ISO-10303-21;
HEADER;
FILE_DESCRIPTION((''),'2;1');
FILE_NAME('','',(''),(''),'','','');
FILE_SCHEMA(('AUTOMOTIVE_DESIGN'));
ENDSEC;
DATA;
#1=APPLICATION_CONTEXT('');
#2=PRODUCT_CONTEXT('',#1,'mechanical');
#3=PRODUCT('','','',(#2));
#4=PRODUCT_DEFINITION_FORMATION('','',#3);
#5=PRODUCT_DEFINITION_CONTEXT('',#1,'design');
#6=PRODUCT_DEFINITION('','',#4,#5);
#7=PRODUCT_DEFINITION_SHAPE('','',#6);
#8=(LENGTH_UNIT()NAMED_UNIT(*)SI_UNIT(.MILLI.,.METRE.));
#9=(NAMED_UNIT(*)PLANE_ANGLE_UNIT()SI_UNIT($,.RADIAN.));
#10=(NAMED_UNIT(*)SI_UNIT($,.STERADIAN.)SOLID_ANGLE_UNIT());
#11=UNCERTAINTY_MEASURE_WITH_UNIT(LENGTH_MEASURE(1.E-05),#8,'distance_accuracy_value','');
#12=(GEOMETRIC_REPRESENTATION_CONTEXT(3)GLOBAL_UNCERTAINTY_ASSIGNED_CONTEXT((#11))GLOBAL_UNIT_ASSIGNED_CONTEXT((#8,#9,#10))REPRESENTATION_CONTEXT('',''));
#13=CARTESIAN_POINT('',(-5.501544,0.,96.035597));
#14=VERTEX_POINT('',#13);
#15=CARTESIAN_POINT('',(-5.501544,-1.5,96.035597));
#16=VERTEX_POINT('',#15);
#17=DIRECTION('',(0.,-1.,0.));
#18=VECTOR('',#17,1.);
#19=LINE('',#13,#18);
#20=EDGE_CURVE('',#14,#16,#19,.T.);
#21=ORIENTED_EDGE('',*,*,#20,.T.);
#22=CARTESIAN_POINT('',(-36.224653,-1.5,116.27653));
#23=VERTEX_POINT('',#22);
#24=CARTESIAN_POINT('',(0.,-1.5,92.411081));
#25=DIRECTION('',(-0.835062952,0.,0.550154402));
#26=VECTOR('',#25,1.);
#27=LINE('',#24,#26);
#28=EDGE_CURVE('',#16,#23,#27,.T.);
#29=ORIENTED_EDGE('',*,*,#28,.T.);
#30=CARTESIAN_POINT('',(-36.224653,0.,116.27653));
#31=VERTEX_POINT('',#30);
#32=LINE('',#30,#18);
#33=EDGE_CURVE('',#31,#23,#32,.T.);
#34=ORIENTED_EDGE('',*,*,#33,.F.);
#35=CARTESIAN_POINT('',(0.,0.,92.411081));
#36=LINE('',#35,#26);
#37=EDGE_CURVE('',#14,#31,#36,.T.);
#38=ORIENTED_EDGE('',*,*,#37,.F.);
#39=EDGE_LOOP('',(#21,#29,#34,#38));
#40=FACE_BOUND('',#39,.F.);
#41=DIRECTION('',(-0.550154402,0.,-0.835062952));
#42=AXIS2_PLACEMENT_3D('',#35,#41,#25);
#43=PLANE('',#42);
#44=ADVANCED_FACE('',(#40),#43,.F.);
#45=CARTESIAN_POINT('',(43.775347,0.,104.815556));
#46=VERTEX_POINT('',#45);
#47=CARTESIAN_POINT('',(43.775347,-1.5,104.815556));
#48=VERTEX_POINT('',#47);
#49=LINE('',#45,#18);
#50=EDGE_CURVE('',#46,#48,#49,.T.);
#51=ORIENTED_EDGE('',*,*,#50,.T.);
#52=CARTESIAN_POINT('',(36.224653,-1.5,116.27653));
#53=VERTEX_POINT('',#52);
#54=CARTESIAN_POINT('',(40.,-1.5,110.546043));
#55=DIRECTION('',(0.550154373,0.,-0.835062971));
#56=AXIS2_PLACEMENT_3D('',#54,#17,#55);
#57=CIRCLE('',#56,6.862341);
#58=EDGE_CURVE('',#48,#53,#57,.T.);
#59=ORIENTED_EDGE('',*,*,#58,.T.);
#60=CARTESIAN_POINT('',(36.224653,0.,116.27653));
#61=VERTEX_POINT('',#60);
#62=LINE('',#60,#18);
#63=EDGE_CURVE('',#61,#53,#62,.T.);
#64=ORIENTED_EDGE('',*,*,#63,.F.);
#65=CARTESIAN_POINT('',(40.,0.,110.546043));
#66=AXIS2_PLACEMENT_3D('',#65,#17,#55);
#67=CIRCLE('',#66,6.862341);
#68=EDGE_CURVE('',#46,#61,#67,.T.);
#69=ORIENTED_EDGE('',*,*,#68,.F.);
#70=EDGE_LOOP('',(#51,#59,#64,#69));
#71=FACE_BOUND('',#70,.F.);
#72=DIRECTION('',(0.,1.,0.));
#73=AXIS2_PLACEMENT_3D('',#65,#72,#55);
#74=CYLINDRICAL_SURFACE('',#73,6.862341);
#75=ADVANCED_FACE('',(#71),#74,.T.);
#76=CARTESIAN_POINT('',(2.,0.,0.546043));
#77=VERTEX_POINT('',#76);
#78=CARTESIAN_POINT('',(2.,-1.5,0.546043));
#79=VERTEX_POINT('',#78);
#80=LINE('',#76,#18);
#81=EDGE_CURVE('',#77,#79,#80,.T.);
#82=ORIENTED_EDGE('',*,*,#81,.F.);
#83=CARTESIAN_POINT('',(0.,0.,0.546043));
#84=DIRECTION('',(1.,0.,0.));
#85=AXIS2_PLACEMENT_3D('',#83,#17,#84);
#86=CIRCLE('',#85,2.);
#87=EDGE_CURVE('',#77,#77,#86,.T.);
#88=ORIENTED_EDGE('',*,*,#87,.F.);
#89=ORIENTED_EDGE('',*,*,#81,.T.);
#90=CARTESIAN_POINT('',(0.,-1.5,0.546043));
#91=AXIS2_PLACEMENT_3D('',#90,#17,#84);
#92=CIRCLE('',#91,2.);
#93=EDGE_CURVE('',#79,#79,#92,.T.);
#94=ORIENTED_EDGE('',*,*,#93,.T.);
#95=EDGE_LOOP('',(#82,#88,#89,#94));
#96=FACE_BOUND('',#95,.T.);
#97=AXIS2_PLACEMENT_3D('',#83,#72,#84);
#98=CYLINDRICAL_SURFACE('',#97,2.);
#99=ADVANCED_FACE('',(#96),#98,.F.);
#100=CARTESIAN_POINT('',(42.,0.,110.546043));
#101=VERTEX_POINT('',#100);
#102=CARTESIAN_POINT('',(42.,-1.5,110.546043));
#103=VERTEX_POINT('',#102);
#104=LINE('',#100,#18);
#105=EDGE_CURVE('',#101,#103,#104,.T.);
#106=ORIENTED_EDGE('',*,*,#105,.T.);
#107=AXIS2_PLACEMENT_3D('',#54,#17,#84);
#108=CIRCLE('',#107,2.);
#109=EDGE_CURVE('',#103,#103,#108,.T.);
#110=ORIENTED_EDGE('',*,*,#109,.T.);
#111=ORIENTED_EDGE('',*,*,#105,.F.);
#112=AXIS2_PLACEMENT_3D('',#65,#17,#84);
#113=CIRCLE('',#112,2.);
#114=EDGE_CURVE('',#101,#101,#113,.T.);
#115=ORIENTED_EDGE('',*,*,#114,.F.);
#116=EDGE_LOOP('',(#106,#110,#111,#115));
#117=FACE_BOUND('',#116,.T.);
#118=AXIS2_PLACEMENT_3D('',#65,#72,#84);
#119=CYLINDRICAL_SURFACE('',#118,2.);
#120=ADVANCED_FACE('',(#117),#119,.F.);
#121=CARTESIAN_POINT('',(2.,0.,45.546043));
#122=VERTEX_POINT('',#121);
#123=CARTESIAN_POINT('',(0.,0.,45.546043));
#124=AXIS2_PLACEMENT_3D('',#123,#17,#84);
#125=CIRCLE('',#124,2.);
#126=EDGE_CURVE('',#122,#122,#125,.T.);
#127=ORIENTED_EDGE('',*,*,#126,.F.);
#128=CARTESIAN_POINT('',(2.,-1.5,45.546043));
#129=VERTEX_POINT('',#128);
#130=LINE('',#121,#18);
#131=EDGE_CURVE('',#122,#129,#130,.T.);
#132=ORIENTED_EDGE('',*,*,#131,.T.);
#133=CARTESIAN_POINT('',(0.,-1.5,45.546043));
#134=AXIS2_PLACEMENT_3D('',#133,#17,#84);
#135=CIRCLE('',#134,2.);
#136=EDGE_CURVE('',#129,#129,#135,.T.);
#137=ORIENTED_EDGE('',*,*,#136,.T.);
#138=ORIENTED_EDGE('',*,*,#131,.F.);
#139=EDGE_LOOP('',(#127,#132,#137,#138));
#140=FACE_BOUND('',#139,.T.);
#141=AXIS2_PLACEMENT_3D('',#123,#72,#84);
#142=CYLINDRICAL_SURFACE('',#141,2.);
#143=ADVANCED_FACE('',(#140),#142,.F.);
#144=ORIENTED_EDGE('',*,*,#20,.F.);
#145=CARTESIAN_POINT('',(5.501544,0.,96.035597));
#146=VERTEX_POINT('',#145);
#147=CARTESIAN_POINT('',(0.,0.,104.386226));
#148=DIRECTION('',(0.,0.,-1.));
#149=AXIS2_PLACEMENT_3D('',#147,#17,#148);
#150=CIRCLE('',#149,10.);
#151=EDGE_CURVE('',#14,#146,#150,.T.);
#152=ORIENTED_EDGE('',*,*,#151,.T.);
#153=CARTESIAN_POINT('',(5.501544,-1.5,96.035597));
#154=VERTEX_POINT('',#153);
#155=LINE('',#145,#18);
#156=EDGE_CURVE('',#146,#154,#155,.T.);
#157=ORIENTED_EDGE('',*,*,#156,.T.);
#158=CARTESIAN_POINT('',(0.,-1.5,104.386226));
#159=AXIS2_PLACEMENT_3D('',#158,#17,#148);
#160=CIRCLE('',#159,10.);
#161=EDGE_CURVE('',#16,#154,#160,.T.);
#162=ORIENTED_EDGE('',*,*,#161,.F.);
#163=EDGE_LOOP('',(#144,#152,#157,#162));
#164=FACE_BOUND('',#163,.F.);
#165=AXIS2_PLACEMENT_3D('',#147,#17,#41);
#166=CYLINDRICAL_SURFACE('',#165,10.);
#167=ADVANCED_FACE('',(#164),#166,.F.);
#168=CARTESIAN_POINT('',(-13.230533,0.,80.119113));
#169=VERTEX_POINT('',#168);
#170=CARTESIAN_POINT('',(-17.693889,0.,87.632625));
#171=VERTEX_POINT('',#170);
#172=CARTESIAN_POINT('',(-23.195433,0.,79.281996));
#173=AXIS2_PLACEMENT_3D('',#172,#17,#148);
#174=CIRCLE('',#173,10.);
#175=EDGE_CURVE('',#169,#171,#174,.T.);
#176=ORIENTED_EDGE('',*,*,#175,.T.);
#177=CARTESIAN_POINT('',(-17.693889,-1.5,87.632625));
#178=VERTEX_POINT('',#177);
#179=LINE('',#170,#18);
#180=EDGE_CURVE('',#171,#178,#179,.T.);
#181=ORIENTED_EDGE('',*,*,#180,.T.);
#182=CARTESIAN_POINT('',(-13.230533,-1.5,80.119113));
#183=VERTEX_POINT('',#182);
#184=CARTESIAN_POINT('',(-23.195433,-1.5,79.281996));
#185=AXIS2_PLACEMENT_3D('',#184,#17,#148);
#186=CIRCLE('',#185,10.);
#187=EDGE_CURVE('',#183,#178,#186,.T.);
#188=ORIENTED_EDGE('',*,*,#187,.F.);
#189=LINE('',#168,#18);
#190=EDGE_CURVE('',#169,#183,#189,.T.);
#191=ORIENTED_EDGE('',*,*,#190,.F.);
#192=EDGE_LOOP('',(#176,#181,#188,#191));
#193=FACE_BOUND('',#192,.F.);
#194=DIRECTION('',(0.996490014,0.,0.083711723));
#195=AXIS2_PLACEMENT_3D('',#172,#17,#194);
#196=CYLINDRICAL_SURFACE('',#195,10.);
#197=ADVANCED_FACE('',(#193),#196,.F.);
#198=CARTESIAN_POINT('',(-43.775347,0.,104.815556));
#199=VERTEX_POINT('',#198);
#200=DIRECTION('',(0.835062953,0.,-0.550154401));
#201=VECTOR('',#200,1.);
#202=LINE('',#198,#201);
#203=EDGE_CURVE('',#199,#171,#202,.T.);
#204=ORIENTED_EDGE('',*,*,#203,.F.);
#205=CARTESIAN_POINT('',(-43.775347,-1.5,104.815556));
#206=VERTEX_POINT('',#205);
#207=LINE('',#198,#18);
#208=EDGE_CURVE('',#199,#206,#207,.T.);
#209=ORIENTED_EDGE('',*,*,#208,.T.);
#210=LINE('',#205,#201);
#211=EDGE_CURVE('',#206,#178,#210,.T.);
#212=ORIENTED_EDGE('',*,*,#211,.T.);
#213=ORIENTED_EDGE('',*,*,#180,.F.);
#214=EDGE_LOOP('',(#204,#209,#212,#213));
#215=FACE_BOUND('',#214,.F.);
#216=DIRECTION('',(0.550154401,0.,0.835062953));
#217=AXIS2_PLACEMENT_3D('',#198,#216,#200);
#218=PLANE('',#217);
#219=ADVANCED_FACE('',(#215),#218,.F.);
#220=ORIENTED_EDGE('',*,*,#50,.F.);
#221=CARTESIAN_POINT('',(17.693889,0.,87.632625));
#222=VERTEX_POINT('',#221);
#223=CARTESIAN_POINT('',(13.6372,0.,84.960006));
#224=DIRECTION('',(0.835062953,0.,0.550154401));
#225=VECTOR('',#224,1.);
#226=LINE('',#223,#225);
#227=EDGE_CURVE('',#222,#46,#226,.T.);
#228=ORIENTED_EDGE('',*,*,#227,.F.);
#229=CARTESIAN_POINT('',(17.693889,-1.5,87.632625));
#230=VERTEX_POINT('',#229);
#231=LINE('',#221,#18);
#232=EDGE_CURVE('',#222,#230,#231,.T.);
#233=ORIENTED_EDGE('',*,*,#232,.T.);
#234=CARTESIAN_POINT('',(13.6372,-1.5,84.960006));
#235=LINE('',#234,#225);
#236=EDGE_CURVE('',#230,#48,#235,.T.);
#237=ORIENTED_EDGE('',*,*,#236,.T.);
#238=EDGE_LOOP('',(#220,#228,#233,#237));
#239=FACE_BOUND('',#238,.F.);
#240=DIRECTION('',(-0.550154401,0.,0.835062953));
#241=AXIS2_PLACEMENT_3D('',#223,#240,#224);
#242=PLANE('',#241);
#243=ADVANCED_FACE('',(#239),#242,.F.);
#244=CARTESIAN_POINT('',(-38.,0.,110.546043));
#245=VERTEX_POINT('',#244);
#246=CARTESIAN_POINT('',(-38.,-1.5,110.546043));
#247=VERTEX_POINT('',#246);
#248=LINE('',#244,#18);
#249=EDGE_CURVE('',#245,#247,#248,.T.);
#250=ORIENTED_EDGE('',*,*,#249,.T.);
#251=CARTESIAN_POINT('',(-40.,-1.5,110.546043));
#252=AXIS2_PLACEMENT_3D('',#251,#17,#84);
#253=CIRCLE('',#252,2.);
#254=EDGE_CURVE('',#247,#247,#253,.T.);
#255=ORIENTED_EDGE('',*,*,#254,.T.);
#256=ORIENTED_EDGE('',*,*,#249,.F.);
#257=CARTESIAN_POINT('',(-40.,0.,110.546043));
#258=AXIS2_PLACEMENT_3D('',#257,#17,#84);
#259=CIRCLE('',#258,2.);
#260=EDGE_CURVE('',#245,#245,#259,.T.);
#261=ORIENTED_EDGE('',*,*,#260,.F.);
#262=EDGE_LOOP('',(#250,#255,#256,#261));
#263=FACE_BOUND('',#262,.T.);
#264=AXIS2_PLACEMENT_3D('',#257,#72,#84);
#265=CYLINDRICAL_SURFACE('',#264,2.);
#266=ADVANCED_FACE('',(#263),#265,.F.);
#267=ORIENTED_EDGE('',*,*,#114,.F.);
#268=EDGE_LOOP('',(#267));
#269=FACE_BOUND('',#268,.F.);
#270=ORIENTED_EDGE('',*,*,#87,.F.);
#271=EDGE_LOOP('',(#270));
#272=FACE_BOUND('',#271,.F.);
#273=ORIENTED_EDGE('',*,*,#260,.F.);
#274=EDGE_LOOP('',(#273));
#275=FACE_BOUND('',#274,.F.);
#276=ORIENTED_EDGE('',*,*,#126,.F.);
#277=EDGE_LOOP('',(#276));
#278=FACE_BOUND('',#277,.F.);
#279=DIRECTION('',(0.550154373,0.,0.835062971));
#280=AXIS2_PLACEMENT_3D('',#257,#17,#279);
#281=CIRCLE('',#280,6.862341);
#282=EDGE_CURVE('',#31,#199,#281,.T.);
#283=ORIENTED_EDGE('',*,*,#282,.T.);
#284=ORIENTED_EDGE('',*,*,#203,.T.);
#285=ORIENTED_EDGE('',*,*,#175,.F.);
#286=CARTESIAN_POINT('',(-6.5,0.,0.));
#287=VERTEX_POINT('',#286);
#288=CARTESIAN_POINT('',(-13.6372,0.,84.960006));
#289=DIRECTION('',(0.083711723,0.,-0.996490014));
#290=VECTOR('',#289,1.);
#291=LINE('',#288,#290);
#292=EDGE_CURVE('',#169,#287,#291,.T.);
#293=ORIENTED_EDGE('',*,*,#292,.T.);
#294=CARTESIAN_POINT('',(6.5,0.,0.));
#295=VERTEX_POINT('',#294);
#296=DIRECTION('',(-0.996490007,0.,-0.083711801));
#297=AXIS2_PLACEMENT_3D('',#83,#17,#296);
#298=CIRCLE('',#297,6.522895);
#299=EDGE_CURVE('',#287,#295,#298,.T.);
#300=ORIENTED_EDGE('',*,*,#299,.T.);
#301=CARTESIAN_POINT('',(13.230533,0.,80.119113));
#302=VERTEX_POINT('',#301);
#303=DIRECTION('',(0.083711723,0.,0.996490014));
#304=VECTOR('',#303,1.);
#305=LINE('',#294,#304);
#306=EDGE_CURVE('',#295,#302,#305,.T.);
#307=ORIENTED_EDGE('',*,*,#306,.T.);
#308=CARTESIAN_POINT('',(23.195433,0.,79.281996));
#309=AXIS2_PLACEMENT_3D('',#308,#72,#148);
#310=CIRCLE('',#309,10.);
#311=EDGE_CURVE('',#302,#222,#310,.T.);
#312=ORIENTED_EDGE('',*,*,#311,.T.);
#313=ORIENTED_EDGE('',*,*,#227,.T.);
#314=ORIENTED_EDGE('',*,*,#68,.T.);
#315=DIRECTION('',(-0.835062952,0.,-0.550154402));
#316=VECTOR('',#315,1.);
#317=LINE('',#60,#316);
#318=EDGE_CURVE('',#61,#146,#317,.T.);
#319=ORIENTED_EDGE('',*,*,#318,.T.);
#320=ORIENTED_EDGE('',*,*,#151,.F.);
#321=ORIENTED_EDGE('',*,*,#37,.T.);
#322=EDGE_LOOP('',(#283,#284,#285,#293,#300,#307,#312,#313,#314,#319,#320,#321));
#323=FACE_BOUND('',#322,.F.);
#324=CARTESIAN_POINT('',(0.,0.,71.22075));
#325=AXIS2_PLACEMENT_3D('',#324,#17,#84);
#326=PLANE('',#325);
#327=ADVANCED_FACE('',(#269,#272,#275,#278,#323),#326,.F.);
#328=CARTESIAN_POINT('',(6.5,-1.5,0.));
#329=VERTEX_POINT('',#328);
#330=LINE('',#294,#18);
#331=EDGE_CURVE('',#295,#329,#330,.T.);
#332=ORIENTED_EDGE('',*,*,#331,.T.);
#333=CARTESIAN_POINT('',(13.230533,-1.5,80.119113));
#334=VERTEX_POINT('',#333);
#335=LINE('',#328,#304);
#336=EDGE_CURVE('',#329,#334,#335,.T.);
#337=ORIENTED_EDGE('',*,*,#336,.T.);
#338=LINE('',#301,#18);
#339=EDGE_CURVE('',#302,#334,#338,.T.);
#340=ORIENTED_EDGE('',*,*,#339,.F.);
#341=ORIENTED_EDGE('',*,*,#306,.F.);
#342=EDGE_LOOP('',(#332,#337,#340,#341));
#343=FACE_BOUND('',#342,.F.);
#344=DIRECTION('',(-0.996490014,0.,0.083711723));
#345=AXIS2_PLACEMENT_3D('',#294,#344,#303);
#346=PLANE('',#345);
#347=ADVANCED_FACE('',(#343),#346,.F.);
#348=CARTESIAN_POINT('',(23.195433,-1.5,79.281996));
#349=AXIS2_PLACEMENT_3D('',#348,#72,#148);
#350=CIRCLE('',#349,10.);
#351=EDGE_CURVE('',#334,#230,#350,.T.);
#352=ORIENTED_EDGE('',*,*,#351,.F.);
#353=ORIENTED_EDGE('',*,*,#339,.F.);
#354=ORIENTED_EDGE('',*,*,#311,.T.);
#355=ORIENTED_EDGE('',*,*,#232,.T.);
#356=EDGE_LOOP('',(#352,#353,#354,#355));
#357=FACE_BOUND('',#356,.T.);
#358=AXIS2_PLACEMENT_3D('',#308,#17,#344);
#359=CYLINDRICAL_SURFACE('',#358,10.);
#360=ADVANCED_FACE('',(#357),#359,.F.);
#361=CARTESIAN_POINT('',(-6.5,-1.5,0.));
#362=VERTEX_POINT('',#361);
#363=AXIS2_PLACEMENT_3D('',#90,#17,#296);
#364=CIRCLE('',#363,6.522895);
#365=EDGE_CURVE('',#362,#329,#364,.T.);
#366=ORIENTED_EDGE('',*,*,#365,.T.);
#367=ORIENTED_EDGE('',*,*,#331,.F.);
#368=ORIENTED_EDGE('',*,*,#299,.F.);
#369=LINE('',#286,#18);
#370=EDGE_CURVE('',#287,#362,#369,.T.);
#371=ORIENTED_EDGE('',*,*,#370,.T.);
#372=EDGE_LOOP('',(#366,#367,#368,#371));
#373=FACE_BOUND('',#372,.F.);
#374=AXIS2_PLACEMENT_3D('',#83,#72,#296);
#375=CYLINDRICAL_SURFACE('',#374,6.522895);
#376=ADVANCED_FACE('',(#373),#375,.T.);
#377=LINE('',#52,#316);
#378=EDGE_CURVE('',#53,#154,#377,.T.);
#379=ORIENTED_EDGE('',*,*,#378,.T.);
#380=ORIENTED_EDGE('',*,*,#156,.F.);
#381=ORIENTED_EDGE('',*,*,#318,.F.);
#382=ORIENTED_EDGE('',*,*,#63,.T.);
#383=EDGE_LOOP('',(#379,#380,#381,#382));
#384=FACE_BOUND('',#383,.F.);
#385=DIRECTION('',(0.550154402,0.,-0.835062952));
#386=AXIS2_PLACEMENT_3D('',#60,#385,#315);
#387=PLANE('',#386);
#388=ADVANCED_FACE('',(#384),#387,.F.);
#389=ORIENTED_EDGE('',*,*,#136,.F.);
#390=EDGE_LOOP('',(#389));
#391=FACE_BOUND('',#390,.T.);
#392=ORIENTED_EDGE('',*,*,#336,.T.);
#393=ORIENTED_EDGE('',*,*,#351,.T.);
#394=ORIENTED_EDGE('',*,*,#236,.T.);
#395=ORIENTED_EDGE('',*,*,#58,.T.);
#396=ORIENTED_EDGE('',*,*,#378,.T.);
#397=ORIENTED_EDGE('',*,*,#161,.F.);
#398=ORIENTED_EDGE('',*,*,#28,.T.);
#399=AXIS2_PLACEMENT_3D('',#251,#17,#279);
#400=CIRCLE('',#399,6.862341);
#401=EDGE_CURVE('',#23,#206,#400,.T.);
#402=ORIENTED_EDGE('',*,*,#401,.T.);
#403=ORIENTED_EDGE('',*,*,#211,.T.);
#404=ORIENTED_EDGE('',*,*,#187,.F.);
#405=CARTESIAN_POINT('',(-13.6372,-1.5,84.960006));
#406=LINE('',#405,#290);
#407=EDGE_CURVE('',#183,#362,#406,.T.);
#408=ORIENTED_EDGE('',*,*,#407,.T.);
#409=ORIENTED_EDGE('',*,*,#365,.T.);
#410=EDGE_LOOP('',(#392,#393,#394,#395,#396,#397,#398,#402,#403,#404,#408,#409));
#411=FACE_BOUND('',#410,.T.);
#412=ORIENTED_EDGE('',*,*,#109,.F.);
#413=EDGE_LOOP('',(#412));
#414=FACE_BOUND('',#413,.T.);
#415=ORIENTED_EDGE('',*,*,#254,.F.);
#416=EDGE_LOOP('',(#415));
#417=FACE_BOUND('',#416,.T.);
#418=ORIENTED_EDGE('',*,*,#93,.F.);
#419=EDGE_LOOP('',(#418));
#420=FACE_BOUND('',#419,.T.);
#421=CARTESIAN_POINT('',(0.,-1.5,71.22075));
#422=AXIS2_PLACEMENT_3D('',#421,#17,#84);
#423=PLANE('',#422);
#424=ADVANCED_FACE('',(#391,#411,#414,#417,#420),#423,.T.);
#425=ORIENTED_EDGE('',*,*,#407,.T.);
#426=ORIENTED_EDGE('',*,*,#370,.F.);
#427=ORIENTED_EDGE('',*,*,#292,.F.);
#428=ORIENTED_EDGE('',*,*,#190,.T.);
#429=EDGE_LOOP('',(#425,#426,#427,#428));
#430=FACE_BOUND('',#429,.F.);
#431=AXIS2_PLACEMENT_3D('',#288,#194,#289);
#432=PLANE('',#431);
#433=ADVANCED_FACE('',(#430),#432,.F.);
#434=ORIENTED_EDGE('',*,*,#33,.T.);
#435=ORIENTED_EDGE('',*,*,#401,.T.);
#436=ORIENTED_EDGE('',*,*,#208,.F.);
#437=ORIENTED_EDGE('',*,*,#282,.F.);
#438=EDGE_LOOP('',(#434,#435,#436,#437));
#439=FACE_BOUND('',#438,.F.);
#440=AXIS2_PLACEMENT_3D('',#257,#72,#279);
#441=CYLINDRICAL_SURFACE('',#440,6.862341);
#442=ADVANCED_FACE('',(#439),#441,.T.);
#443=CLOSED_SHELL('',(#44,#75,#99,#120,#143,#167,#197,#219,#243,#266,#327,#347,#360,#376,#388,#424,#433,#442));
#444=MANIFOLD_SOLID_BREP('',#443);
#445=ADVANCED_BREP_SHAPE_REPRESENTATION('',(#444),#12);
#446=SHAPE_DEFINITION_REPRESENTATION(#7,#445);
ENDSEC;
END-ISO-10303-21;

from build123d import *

# Parameters (mm, degrees)
F0_R     = 2
F1_DEPTH = 1.5
F2_R     = 10


with BuildPart() as f1:
    # F0 (on Front) → F1 (new body)
    with BuildSketch(Plane.XZ):
        with BuildLine():
            Line((-13.6372, 84.960006), (-6.5, 0))
            ThreePointArc((-6.5, 0), (0, -5.976852), (6.5, 0))
            Line((6.5, 0), (13.6372, 84.960006))
            Line((13.6372, 84.960006), (43.775347, 104.815556))
            ThreePointArc((43.775347, 104.815556), (45.730487, 114.32139), (36.224653, 116.27653))
            Line((36.224653, 116.27653), (0, 92.411081))
            Line((0, 92.411081), (-36.224653, 116.27653))
            ThreePointArc((-36.224653, 116.27653), (-45.730487, 114.32139), (-43.775347, 104.815556))
            Line((-43.775347, 104.815556), (-13.6372, 84.960006))
        make_face()
        with Locations((0, 0.546043)):
            Circle(F0_R, mode=Mode.SUBTRACT)
        with Locations((0, 45.546043)):
            Circle(F0_R, mode=Mode.SUBTRACT)
        with Locations((-40, 110.546043)):
            Circle(F0_R, mode=Mode.SUBTRACT)
        with Locations((40, 110.546043)):
            Circle(F0_R, mode=Mode.SUBTRACT)
    extrude(amount=F1_DEPTH)

    # F2
    f2_edges = [f1.edges().sort_by_distance(p)[0] for p in [
        (0, -0.75, 92.411081),
        (-13.6372, -0.75, 84.960006),
        (13.6372, -0.75, 84.960006),
    ]]
    fillet(f2_edges, radius=F2_R)


solid = f1.part
